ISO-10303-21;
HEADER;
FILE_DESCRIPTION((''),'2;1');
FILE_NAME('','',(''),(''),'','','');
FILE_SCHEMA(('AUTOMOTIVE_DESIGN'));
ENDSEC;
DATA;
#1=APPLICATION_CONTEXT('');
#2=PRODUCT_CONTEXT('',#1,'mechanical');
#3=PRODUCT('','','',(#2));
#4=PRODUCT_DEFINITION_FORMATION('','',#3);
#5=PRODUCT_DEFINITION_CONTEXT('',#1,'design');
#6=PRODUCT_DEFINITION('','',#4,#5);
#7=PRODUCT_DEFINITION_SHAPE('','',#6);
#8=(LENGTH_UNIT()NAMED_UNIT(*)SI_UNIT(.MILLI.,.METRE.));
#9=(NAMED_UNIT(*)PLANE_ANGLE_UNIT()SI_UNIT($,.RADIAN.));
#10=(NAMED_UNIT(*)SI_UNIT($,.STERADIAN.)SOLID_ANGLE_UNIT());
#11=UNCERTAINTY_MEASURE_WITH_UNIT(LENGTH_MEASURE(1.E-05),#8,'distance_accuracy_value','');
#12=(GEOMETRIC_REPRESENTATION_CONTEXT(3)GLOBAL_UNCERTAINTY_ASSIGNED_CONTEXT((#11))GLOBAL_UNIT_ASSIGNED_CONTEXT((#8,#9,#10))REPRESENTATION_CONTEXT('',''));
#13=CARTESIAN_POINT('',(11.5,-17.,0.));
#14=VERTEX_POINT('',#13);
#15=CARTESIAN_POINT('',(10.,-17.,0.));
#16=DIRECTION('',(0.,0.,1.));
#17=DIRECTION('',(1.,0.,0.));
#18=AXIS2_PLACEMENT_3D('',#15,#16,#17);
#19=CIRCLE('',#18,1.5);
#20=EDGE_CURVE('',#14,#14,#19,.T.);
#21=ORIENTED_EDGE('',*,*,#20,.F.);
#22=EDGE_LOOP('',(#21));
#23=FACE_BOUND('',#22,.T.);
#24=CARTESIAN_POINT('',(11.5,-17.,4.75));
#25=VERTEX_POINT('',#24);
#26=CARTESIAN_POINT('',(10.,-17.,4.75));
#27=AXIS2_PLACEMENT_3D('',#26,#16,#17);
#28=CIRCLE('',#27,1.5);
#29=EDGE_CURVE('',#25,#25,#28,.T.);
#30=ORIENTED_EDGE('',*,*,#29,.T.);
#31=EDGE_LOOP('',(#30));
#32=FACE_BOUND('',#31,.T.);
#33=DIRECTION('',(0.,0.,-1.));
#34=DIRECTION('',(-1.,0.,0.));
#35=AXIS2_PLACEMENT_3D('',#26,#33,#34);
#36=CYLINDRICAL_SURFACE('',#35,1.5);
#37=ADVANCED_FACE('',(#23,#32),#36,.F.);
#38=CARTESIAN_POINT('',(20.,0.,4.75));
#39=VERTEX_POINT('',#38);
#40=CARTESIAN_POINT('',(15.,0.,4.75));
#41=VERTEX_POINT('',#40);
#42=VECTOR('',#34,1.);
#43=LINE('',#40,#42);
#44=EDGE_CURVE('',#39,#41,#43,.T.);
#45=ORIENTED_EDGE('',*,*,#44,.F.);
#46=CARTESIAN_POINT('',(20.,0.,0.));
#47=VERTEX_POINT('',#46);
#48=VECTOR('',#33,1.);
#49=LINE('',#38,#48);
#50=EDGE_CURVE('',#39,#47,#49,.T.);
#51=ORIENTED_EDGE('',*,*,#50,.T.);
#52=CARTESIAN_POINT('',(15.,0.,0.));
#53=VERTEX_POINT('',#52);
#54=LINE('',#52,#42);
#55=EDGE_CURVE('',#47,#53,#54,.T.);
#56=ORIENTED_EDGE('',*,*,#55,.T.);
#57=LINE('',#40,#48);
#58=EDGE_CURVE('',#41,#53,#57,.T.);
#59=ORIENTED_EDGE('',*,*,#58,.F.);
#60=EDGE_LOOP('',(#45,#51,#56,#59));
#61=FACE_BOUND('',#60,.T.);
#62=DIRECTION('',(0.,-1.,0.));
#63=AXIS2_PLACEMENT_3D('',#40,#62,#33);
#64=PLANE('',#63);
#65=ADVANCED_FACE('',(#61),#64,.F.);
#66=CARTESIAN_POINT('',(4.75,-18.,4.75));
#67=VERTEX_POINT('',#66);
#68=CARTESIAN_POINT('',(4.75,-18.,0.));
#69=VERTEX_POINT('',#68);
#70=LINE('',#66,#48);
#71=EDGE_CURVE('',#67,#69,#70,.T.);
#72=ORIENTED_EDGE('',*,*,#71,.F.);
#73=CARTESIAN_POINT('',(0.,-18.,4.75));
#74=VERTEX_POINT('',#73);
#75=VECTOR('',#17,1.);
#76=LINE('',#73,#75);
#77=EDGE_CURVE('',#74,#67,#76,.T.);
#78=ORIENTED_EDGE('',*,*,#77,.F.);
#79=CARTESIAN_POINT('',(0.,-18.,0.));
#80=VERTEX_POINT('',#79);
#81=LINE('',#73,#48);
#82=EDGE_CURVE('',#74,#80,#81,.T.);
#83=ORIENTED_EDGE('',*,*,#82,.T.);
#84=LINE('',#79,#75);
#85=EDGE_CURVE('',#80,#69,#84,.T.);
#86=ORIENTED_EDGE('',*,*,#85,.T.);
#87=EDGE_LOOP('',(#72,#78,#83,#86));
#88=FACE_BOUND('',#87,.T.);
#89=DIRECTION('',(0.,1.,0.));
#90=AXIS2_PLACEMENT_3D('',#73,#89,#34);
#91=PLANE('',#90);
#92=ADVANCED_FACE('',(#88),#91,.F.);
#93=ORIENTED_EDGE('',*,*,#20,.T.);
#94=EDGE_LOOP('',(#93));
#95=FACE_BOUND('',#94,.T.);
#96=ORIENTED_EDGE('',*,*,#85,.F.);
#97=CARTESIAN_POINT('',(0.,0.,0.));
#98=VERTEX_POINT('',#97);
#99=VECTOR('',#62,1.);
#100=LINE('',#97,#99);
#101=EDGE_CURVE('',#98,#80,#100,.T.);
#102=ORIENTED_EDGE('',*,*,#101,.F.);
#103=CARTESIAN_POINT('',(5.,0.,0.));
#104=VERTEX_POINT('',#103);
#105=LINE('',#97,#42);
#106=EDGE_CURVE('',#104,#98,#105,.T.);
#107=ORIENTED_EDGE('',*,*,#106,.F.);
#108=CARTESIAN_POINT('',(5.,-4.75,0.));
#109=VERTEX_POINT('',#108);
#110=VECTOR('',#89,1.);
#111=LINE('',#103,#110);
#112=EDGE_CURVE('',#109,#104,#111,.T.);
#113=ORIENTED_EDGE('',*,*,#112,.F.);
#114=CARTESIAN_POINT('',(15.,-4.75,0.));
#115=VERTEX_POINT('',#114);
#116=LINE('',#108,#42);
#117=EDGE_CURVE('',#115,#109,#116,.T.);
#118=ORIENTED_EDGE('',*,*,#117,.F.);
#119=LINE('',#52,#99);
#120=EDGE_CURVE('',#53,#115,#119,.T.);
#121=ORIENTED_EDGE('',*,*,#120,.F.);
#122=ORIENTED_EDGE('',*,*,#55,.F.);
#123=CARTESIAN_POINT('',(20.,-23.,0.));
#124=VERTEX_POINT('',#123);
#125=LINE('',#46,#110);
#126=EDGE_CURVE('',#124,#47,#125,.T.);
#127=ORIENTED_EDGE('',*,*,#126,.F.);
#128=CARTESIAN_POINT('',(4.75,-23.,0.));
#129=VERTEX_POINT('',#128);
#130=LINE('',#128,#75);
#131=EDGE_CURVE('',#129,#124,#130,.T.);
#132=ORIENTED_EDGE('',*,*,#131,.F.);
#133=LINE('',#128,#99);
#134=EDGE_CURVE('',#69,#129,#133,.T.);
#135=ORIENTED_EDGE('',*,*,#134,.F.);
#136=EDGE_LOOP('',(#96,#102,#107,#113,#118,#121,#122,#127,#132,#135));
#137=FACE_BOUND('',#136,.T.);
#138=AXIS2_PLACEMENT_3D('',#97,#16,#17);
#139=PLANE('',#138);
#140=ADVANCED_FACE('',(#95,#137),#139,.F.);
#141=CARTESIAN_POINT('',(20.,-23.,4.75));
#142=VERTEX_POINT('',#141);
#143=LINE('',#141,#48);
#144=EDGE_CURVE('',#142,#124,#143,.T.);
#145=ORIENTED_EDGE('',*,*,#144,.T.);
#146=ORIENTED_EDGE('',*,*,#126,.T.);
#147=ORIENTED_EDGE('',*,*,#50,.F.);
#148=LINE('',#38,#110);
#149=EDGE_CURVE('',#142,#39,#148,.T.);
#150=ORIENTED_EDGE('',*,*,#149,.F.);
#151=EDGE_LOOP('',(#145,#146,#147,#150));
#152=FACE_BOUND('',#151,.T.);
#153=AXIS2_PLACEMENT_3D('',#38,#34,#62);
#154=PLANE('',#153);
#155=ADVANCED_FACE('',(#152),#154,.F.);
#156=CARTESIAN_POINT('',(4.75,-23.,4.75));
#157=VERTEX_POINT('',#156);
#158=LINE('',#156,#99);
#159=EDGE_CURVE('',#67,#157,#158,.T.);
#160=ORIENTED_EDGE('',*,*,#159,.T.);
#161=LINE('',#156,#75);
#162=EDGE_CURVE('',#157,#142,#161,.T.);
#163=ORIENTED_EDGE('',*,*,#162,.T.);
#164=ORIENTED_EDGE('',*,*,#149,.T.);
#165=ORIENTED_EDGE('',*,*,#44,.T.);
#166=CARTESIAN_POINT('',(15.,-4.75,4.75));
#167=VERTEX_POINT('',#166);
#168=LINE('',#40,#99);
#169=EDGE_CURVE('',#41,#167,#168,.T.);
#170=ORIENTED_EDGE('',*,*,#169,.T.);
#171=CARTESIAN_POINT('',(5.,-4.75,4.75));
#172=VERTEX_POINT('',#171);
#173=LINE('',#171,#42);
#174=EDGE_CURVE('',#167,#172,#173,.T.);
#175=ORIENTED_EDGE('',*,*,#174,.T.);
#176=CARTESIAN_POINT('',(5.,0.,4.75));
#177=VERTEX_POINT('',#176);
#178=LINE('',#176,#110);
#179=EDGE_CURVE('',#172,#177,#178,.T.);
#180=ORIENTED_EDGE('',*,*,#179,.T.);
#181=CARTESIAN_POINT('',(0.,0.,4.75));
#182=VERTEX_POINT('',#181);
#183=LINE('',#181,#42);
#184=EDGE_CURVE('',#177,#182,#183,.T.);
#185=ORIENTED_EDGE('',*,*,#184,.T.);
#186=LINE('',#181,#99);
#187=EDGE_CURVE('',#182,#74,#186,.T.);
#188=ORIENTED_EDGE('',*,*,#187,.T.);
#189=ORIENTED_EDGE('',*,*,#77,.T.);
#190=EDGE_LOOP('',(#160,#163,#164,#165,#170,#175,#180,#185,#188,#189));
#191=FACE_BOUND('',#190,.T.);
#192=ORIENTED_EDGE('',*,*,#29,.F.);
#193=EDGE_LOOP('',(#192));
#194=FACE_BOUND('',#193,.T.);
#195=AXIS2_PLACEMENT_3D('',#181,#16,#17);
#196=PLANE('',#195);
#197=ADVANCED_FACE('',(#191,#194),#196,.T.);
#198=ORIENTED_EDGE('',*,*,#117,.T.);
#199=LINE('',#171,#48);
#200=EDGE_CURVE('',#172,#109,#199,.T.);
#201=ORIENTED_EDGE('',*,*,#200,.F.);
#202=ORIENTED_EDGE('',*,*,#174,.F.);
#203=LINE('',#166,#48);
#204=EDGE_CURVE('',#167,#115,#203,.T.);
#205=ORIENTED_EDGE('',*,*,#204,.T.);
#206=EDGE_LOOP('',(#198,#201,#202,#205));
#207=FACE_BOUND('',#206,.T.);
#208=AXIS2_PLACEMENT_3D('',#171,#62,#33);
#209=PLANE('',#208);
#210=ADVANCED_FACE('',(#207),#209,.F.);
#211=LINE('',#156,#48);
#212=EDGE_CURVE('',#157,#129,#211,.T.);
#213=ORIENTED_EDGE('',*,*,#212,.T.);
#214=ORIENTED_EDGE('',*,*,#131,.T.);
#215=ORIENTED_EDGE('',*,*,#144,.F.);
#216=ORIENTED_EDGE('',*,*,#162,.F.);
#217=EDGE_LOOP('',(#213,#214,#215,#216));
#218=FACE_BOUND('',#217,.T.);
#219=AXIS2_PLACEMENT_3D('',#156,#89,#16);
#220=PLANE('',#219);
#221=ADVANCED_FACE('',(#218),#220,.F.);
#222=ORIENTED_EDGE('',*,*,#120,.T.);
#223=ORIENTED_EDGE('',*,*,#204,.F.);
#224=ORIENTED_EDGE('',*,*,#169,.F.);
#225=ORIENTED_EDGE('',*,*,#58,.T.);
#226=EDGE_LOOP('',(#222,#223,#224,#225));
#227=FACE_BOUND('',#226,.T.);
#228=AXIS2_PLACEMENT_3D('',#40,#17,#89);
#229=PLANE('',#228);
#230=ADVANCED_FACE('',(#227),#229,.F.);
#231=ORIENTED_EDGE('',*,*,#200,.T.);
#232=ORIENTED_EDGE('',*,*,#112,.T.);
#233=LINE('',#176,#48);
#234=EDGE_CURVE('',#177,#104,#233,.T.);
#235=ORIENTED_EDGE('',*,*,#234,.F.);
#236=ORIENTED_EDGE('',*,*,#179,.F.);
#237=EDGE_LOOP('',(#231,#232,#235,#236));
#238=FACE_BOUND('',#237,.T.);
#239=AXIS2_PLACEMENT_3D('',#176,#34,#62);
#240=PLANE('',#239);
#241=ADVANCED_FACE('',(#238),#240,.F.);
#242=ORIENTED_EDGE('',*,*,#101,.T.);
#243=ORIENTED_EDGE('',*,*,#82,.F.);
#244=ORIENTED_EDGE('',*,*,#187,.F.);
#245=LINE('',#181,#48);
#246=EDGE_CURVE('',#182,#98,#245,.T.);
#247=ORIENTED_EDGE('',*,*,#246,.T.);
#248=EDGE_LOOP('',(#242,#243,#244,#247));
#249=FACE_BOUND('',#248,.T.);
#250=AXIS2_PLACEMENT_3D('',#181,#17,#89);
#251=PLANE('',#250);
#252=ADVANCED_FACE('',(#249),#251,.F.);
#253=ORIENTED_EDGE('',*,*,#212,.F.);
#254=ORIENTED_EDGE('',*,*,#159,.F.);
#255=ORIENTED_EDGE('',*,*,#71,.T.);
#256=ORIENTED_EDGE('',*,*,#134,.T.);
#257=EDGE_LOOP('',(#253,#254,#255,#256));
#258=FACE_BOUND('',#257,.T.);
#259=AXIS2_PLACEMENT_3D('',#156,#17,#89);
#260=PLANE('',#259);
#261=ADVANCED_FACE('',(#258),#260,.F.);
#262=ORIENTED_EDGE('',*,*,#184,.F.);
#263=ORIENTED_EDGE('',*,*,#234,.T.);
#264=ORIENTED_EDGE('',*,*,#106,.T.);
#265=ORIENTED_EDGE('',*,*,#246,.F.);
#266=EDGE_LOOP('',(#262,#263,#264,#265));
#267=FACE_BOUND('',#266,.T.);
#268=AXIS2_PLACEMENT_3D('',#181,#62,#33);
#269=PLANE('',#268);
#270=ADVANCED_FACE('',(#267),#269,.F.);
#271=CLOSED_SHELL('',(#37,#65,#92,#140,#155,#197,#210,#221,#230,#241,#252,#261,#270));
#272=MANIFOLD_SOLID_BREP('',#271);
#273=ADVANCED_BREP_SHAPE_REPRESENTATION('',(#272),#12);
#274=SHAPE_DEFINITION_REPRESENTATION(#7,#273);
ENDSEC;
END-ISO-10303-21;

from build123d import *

# Parameters (mm, degrees)
SKETCH1_R           = 1.5
BOSS_EXTRUDE1_DEPTH = 4.75


with BuildPart() as part:
    # Sketch1 → Boss-Extrude1 (new body)
    with BuildSketch(Plane.XY):
        Polygon((15, 0), (20, 0), (20, -23), (4.75, -23), (4.75, -18), (0, -18), (0, 0), (5, 0), (5, -4.75), (15, -4.75), align=None)
        with Locations((10, -17)):
            Circle(SKETCH1_R, mode=Mode.SUBTRACT)
    extrude(amount=BOSS_EXTRUDE1_DEPTH)


solid = part.part
